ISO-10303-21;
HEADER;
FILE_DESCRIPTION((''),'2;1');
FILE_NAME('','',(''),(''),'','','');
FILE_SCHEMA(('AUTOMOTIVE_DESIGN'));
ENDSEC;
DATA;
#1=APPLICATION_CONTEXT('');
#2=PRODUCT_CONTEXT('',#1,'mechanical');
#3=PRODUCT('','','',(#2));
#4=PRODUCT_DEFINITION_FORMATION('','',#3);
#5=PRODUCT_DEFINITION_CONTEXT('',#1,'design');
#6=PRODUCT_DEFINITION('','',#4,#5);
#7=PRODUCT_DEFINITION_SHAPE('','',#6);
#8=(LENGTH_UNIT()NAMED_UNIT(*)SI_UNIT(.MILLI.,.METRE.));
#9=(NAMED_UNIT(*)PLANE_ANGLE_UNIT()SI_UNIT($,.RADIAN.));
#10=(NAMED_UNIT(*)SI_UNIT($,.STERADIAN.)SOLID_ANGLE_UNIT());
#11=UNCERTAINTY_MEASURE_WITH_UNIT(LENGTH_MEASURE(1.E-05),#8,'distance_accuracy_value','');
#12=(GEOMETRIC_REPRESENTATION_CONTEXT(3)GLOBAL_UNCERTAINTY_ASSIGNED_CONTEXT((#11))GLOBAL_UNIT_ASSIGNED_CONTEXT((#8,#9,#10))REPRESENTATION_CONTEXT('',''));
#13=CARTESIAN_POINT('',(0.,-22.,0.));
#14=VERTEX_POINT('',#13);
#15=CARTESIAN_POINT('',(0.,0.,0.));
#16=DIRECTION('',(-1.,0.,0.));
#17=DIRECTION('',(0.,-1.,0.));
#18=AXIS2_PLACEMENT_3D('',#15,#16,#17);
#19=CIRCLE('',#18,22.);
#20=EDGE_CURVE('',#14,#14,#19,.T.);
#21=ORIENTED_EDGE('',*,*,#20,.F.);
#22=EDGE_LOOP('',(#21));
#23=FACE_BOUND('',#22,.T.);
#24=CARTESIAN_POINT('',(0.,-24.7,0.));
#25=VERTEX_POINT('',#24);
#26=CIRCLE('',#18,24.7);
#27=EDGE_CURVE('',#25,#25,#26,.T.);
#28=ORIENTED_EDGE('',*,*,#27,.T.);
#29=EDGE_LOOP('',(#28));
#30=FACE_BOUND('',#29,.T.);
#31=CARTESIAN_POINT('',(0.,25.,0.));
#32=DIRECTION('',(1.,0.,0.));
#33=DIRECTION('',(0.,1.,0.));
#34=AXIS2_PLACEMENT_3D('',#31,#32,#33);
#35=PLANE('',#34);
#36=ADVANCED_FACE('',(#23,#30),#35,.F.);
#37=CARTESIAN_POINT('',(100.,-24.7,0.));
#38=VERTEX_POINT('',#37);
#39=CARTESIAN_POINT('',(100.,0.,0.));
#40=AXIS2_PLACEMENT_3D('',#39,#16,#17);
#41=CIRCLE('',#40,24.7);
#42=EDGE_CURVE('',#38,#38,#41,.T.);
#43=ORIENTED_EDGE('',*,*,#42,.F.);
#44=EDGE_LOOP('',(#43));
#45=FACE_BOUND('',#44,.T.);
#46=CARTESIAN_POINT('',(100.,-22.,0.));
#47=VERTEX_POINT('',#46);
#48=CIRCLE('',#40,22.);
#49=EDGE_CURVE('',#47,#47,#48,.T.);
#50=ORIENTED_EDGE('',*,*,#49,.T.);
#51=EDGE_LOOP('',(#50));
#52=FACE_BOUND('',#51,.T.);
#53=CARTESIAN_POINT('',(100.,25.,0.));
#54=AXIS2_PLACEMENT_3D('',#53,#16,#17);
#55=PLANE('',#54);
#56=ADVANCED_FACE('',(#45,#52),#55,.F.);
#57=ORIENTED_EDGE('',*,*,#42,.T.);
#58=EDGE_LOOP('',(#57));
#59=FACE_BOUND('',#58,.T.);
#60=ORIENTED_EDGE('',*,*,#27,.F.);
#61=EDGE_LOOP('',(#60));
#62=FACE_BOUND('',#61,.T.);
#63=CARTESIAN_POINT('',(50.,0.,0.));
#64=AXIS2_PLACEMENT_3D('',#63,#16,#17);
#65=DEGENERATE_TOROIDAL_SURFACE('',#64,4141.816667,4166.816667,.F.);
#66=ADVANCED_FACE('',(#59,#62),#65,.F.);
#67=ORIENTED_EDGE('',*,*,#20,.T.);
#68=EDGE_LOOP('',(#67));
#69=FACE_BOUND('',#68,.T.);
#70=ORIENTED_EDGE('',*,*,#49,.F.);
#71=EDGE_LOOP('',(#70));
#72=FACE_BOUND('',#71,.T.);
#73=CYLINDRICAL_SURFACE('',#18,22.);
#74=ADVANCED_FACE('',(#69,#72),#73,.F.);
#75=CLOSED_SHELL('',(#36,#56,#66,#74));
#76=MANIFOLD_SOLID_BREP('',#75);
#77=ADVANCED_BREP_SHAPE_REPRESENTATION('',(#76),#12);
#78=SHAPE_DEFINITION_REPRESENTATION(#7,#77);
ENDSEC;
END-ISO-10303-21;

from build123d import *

# Parameters (mm, degrees)
SKETCH1_W = 100
SKETCH1_H = 3


with BuildPart() as part:
    # Sketch1 → Revolve1 (revolve)
    with BuildSketch(Plane.XY, mode=Mode.PRIVATE) as revolve1_sk:
        with Locations((50, 23.5)):
            Rectangle(SKETCH1_W, SKETCH1_H)
    revolve(revolve1_sk.sketch.rotate(Axis((0, 0, 0), (1, 0, 0)), 180), axis=Axis((0, 0, 0), (1, 0, 0)))

    # Sketch2 → Cut-Revolve1 (revolve, cut)
    with BuildSketch(Plane.XY):
        with BuildLine():
            Line((0, 25), (0, 24.7))
            ThreePointArc((0, 24.7), (50, 25), (100, 24.7))
            Line((100, 24.7), (100, 25))
            Line((100, 25), (100, 25.3))
            Line((100, 25.3), (0, 25.3))
            Line((0, 25.3), (0, 25))
        make_face()
    revolve(axis=Axis((0, 0, 0), (1, 0, 0)), mode=Mode.SUBTRACT)


solid = part.part
